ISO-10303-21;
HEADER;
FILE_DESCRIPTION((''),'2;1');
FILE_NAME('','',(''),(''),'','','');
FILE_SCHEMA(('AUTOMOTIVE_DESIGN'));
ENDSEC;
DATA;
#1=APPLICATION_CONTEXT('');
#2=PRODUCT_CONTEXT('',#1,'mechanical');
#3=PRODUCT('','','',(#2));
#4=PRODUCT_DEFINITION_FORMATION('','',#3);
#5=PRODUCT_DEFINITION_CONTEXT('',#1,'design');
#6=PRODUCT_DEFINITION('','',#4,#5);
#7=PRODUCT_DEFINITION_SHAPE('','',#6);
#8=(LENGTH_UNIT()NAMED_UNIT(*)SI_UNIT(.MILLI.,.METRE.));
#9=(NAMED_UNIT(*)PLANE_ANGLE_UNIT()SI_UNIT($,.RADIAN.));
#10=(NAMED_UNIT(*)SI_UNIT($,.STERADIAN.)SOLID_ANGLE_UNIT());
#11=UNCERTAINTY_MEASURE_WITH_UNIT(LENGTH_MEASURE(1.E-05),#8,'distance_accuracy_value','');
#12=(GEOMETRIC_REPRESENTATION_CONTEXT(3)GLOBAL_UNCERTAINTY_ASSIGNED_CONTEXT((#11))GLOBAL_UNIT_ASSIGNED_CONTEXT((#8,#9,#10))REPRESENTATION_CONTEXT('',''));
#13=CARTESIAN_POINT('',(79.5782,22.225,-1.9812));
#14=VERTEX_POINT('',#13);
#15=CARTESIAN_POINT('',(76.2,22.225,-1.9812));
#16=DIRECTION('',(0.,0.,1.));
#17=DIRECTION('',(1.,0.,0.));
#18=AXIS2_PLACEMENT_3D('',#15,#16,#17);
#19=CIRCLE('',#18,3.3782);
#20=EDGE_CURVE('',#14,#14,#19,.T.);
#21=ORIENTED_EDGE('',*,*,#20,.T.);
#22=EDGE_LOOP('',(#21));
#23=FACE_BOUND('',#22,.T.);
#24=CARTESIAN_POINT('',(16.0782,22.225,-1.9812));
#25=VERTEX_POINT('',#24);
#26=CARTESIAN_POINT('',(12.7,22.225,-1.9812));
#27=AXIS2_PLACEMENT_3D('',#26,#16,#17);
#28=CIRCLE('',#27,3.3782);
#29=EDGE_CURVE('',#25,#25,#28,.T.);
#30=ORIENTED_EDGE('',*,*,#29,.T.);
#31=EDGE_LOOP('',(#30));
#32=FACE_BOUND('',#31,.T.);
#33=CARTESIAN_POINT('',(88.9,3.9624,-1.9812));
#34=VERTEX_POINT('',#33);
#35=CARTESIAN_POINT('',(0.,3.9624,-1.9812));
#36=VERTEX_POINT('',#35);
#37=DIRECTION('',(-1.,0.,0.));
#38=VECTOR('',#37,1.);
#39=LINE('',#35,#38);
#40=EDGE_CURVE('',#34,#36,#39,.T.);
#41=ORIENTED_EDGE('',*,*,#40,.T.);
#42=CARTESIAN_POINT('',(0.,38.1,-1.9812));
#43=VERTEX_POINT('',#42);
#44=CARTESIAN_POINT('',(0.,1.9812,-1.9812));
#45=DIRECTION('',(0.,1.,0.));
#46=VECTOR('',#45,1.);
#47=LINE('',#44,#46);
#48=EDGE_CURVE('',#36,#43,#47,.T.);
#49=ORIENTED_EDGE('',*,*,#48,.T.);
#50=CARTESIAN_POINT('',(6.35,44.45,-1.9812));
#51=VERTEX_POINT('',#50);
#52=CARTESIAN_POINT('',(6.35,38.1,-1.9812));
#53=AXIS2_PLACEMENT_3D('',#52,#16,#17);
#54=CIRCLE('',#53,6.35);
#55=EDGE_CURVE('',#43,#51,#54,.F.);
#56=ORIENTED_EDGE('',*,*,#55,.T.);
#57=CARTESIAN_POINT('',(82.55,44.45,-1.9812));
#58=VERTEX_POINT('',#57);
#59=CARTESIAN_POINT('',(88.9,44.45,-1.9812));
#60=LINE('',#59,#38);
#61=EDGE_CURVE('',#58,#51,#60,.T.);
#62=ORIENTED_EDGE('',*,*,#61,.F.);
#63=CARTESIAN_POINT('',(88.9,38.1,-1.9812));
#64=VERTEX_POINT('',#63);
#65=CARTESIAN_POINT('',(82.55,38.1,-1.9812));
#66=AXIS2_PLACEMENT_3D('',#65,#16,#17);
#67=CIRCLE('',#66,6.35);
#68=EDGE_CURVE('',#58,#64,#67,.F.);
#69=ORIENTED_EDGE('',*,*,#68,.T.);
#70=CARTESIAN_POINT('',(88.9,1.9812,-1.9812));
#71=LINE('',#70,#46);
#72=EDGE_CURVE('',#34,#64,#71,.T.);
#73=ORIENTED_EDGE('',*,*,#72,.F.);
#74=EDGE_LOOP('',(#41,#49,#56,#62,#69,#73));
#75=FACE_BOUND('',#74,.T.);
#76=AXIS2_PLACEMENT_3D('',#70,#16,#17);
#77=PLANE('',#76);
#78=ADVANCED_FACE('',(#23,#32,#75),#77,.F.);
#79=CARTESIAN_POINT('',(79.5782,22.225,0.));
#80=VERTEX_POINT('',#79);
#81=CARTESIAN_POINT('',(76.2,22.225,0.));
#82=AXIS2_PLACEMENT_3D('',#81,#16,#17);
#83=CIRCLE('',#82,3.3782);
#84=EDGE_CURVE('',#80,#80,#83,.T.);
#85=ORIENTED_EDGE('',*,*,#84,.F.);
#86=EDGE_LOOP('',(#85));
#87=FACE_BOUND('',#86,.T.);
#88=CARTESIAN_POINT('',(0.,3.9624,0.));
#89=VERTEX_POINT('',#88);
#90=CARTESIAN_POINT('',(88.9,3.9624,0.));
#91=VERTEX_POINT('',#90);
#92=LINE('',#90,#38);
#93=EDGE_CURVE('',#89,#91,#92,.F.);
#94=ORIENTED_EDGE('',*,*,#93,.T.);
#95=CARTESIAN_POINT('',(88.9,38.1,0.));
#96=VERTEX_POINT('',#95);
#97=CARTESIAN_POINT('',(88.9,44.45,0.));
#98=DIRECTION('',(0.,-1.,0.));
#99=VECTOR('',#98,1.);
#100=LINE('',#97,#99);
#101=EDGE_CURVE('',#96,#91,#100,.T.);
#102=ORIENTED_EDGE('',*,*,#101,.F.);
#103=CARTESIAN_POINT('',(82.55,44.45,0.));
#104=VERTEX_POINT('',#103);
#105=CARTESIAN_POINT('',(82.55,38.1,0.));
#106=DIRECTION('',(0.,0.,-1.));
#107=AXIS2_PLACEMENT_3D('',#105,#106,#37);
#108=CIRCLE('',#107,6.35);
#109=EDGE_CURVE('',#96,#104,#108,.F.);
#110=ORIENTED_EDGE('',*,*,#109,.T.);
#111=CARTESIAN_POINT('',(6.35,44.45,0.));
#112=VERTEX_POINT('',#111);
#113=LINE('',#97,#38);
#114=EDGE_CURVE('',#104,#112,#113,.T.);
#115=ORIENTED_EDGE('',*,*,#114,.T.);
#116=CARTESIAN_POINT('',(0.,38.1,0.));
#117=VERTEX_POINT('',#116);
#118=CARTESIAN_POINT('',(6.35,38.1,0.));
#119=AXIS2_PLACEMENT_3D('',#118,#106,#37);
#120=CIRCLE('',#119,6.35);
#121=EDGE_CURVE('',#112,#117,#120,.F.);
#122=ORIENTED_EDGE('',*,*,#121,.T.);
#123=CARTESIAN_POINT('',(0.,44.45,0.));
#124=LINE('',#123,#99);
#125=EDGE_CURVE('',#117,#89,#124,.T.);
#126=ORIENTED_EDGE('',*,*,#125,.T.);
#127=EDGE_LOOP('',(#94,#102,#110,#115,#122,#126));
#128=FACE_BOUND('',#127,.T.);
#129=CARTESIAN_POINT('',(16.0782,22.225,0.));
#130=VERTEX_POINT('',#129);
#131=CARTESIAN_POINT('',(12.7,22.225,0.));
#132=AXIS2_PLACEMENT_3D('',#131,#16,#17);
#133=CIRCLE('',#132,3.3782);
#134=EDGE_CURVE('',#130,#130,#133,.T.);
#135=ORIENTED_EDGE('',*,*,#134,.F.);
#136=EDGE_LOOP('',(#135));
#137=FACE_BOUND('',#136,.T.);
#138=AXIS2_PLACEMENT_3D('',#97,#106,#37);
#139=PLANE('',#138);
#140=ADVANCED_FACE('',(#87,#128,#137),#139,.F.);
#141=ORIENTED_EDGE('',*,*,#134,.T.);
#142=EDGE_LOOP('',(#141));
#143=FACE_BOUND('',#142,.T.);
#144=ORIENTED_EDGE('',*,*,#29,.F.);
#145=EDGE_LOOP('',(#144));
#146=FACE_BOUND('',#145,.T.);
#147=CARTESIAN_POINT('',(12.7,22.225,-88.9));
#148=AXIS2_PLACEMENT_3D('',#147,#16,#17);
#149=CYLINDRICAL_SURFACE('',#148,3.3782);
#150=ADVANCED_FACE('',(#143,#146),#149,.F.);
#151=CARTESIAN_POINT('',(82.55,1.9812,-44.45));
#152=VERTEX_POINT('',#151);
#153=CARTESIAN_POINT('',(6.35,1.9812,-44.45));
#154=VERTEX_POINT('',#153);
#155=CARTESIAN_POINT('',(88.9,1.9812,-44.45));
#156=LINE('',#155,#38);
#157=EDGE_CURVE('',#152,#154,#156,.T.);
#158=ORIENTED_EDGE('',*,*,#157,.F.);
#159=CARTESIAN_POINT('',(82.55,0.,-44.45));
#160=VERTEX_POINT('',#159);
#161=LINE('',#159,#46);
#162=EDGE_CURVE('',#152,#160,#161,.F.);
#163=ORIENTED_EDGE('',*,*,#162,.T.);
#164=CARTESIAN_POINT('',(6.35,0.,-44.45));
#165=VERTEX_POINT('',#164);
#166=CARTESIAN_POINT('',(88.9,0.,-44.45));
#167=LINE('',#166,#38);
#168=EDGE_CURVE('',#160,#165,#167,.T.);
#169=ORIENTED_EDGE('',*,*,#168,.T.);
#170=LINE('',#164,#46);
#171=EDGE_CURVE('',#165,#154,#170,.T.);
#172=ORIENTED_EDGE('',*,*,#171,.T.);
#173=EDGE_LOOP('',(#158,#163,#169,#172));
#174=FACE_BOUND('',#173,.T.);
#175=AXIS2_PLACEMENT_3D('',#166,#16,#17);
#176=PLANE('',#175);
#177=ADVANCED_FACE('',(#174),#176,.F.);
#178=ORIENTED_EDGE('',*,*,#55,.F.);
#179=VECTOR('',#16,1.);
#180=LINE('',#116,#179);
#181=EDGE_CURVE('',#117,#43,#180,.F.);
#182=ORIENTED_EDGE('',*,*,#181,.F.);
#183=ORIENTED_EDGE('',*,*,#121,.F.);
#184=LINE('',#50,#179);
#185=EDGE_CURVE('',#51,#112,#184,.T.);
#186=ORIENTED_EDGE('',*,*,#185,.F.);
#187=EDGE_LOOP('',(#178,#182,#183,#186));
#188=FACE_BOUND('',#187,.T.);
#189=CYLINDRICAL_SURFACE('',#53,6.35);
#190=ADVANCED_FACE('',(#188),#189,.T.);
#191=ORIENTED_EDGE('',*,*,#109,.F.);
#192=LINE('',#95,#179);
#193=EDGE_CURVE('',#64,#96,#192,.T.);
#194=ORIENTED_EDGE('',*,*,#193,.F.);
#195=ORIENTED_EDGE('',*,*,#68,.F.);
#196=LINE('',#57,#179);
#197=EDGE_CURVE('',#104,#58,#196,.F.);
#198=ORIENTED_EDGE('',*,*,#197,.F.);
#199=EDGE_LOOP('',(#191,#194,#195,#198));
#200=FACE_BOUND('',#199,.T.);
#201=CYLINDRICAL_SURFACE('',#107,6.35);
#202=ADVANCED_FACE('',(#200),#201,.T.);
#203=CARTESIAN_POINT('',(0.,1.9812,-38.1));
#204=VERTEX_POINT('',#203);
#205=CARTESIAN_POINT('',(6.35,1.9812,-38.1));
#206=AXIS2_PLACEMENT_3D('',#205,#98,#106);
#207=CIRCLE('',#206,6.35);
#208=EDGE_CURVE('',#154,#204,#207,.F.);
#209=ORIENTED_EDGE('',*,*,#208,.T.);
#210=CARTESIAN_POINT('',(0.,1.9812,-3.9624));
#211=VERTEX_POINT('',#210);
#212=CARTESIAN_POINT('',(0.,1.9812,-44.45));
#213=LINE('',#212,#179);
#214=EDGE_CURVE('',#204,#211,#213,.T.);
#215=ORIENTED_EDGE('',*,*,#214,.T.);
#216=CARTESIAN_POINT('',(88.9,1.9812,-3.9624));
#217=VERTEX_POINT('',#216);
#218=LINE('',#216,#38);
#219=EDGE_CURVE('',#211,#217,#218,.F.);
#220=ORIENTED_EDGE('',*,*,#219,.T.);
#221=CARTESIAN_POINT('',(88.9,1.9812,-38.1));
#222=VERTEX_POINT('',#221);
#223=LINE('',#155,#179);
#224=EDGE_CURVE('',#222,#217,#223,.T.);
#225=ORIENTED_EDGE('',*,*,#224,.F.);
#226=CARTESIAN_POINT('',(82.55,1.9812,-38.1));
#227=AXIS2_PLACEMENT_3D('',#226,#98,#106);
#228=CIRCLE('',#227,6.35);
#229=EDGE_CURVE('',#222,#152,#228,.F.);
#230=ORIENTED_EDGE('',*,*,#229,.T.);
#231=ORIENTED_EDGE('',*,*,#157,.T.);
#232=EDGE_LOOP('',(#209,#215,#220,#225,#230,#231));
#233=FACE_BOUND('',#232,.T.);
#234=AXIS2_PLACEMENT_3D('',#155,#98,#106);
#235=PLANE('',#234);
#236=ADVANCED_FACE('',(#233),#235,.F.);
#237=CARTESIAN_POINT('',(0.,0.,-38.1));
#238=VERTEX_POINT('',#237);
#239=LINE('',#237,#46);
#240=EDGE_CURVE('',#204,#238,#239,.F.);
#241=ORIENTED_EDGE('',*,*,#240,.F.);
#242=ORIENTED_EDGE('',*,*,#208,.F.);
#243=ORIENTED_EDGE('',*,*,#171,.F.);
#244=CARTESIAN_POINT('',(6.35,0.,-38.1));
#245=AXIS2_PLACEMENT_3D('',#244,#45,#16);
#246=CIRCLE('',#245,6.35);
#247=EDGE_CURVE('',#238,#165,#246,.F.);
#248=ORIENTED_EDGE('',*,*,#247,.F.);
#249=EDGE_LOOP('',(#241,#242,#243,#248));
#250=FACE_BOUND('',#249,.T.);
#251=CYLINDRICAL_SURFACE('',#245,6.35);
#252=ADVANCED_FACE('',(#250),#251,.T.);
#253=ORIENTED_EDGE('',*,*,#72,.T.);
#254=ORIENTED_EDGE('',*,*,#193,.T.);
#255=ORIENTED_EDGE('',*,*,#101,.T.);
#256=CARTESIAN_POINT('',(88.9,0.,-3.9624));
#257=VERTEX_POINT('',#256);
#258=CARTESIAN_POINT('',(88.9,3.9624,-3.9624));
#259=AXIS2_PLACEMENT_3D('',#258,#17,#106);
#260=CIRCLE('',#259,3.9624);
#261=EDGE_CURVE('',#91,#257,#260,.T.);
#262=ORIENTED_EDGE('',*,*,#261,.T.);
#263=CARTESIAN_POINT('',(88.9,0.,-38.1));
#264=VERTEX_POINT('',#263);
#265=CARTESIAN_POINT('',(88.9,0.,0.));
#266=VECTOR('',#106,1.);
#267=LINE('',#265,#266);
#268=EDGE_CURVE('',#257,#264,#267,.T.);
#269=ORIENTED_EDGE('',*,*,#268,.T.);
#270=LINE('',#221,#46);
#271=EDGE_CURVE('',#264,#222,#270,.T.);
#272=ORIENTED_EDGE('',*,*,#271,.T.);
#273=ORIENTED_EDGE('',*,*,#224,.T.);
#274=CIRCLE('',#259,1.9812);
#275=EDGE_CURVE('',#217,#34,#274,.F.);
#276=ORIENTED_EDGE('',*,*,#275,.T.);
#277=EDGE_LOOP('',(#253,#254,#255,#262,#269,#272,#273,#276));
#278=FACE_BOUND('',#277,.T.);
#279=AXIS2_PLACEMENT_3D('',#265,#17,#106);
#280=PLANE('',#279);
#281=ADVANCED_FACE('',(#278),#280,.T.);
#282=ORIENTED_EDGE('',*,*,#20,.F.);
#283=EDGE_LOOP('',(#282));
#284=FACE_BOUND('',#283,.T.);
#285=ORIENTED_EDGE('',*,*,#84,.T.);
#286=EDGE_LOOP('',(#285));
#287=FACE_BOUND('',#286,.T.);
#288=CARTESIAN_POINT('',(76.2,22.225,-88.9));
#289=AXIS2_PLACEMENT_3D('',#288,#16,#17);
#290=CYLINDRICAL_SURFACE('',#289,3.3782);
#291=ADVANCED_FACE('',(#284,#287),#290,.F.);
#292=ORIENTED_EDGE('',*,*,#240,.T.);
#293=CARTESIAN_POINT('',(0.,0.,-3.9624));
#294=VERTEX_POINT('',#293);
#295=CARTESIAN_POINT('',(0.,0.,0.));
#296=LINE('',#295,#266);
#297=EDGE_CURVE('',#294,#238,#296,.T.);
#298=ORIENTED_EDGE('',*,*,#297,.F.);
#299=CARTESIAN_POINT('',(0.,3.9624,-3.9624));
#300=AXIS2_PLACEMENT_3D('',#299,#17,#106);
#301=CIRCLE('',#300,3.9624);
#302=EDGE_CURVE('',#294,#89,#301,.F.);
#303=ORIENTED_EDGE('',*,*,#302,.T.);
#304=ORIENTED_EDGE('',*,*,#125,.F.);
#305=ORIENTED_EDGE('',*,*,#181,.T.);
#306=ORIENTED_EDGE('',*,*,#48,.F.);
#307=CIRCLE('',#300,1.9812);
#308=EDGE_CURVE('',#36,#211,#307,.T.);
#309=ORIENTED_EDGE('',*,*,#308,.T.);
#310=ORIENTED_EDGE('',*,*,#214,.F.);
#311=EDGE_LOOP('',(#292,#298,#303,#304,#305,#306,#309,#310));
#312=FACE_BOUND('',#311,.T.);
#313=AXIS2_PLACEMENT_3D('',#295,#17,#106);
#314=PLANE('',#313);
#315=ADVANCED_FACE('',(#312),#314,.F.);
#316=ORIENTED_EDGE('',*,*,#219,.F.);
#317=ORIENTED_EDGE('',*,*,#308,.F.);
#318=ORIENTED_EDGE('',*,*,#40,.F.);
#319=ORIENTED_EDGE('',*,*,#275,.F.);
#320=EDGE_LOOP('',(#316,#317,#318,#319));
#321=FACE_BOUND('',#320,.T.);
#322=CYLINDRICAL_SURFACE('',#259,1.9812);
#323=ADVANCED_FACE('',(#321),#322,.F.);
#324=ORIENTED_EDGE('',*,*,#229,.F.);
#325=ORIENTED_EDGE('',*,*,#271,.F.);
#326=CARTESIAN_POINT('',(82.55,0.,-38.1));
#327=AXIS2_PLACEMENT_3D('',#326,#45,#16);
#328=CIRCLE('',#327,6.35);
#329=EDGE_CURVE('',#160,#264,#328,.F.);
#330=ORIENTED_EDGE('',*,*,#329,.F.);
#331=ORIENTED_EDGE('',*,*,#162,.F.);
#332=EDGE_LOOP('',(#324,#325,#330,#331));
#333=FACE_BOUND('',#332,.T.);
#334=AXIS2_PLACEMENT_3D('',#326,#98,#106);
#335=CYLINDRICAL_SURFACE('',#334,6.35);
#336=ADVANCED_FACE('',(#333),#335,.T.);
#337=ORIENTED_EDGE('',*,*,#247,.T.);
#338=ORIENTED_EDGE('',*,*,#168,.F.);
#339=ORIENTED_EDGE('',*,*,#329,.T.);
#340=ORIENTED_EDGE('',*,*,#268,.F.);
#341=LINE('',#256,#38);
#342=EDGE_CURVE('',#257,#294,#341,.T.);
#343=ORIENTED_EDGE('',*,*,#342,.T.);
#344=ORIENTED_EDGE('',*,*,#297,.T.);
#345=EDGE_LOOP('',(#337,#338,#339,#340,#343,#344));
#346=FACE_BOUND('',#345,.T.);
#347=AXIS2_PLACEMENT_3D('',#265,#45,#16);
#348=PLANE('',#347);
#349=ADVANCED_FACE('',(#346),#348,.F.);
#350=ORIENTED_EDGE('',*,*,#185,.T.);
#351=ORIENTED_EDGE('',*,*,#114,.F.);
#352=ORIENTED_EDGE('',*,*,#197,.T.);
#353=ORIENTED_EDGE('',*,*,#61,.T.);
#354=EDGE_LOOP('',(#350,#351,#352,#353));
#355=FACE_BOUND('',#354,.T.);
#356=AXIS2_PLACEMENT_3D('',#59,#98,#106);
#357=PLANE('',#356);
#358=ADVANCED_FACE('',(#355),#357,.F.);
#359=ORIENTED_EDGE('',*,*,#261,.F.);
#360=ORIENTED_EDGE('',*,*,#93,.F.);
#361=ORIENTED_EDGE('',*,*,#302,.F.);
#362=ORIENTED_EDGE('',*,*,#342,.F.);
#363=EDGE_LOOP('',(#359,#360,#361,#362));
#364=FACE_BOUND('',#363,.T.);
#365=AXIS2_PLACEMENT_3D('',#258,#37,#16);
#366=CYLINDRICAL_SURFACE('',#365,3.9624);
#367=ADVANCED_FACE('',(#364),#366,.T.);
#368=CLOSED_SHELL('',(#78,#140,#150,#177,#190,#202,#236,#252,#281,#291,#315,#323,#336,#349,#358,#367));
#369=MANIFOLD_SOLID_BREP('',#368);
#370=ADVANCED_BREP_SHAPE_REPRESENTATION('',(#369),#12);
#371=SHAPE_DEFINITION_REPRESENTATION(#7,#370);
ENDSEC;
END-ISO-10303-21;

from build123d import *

# Parameters (mm, degrees)
BOSS_EXTRUDE1_DEPTH = 88.9
FILLET1_R           = 1.9812
FILLET2_R           = 3.9624
FILLET3_R           = 6.35
SKETCH2_R           = 3.3782
CUT_EXTRUDE1_DEPTH  = 88.9


with BuildPart() as part:
    # Sketch1 → Boss-Extrude1 (new body)
    with BuildSketch(Plane(origin=(0, 0, 0), x_dir=(0, 0, -1), z_dir=(1, 0, 0))):
        Polygon((0, 44.45), (0, 0), (44.45, 0), (44.45, 1.9812), (1.9812, 1.9812), (1.9812, 44.45), align=None)
    extrude(amount=BOSS_EXTRUDE1_DEPTH)

    # Fillet1
    fillet1_edges = [part.edges().sort_by_distance(p)[0] for p in [
        (44.45, 1.9812, -1.9812),
    ]]
    fillet(fillet1_edges, radius=FILLET1_R)

    # Fillet2
    fillet2_edges = [part.edges().sort_by_distance(p)[0] for p in [
        (44.45, 0, 0),
    ]]
    fillet(fillet2_edges, radius=FILLET2_R)

    # Fillet3
    fillet3_edges = [part.edges().sort_by_distance(p)[0] for p in [
        (88.9, 0.9906, -44.45),
        (88.9, 44.45, -0.9906),
        (0, 0.9906, -44.45),
        (0, 44.45, -0.9906),
    ]]
    fillet(fillet3_edges, radius=FILLET3_R)

    # Sketch2 → Cut-Extrude1 (cut)
    with BuildSketch(Plane.XY):
        with Locations((12.7, 22.225)):
            Circle(SKETCH2_R)
        with Locations((76.2, 22.225)):
            Circle(SKETCH2_R)
    extrude(amount=-CUT_EXTRUDE1_DEPTH, mode=Mode.SUBTRACT)


solid = part.part
